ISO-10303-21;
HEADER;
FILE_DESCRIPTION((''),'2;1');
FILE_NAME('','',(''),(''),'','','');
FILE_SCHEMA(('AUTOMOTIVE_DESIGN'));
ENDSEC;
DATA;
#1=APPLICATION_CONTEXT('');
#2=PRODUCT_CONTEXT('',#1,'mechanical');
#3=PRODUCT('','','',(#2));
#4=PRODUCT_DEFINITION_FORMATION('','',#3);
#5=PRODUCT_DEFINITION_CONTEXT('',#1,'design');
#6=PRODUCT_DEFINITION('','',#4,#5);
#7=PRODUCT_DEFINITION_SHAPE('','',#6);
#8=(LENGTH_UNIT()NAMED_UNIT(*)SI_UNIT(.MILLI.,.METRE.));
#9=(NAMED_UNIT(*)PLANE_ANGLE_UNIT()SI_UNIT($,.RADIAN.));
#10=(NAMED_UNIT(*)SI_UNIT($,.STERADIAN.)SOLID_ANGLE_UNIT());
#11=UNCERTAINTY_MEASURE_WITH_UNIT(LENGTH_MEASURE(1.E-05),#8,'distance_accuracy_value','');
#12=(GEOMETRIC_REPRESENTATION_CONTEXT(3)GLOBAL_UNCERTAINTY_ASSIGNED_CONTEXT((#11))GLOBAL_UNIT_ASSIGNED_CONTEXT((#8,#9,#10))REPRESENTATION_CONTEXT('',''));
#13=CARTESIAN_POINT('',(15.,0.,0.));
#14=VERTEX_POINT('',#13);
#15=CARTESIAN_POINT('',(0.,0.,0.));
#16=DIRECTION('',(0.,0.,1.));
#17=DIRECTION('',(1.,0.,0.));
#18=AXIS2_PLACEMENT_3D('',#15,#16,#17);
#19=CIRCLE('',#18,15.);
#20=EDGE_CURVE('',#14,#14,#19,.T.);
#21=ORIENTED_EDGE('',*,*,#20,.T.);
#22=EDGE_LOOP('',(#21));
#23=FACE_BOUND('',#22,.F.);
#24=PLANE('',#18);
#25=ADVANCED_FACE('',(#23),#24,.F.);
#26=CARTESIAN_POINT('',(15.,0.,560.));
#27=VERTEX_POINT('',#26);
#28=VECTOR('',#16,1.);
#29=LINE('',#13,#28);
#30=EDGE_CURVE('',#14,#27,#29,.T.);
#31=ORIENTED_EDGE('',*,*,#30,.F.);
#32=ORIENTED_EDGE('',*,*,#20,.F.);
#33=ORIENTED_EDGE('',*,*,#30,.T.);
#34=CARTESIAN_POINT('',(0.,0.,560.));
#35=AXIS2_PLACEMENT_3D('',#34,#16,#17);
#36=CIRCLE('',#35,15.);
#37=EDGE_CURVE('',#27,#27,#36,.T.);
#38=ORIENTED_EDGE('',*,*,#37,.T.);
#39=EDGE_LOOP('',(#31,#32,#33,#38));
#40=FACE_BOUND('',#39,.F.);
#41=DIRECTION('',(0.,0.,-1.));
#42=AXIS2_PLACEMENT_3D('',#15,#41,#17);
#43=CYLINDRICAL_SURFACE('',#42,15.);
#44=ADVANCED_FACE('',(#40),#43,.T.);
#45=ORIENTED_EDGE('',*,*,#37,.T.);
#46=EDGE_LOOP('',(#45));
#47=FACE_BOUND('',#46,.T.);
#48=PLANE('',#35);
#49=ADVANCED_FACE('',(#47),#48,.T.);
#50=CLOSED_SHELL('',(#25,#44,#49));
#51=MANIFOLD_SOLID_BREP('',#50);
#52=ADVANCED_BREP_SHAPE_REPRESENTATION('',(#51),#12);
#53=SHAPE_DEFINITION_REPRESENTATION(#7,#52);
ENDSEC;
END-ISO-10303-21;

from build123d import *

# Parameters (mm, degrees)
SKETCH1_R           = 15
BOSS_EXTRUDE1_DEPTH = 560


with BuildPart() as part:
    # Sketch1 → Boss-Extrude1 (new body)
    with BuildSketch(Plane.XY):
        Circle(SKETCH1_R)
    extrude(amount=BOSS_EXTRUDE1_DEPTH)


solid = part.part
